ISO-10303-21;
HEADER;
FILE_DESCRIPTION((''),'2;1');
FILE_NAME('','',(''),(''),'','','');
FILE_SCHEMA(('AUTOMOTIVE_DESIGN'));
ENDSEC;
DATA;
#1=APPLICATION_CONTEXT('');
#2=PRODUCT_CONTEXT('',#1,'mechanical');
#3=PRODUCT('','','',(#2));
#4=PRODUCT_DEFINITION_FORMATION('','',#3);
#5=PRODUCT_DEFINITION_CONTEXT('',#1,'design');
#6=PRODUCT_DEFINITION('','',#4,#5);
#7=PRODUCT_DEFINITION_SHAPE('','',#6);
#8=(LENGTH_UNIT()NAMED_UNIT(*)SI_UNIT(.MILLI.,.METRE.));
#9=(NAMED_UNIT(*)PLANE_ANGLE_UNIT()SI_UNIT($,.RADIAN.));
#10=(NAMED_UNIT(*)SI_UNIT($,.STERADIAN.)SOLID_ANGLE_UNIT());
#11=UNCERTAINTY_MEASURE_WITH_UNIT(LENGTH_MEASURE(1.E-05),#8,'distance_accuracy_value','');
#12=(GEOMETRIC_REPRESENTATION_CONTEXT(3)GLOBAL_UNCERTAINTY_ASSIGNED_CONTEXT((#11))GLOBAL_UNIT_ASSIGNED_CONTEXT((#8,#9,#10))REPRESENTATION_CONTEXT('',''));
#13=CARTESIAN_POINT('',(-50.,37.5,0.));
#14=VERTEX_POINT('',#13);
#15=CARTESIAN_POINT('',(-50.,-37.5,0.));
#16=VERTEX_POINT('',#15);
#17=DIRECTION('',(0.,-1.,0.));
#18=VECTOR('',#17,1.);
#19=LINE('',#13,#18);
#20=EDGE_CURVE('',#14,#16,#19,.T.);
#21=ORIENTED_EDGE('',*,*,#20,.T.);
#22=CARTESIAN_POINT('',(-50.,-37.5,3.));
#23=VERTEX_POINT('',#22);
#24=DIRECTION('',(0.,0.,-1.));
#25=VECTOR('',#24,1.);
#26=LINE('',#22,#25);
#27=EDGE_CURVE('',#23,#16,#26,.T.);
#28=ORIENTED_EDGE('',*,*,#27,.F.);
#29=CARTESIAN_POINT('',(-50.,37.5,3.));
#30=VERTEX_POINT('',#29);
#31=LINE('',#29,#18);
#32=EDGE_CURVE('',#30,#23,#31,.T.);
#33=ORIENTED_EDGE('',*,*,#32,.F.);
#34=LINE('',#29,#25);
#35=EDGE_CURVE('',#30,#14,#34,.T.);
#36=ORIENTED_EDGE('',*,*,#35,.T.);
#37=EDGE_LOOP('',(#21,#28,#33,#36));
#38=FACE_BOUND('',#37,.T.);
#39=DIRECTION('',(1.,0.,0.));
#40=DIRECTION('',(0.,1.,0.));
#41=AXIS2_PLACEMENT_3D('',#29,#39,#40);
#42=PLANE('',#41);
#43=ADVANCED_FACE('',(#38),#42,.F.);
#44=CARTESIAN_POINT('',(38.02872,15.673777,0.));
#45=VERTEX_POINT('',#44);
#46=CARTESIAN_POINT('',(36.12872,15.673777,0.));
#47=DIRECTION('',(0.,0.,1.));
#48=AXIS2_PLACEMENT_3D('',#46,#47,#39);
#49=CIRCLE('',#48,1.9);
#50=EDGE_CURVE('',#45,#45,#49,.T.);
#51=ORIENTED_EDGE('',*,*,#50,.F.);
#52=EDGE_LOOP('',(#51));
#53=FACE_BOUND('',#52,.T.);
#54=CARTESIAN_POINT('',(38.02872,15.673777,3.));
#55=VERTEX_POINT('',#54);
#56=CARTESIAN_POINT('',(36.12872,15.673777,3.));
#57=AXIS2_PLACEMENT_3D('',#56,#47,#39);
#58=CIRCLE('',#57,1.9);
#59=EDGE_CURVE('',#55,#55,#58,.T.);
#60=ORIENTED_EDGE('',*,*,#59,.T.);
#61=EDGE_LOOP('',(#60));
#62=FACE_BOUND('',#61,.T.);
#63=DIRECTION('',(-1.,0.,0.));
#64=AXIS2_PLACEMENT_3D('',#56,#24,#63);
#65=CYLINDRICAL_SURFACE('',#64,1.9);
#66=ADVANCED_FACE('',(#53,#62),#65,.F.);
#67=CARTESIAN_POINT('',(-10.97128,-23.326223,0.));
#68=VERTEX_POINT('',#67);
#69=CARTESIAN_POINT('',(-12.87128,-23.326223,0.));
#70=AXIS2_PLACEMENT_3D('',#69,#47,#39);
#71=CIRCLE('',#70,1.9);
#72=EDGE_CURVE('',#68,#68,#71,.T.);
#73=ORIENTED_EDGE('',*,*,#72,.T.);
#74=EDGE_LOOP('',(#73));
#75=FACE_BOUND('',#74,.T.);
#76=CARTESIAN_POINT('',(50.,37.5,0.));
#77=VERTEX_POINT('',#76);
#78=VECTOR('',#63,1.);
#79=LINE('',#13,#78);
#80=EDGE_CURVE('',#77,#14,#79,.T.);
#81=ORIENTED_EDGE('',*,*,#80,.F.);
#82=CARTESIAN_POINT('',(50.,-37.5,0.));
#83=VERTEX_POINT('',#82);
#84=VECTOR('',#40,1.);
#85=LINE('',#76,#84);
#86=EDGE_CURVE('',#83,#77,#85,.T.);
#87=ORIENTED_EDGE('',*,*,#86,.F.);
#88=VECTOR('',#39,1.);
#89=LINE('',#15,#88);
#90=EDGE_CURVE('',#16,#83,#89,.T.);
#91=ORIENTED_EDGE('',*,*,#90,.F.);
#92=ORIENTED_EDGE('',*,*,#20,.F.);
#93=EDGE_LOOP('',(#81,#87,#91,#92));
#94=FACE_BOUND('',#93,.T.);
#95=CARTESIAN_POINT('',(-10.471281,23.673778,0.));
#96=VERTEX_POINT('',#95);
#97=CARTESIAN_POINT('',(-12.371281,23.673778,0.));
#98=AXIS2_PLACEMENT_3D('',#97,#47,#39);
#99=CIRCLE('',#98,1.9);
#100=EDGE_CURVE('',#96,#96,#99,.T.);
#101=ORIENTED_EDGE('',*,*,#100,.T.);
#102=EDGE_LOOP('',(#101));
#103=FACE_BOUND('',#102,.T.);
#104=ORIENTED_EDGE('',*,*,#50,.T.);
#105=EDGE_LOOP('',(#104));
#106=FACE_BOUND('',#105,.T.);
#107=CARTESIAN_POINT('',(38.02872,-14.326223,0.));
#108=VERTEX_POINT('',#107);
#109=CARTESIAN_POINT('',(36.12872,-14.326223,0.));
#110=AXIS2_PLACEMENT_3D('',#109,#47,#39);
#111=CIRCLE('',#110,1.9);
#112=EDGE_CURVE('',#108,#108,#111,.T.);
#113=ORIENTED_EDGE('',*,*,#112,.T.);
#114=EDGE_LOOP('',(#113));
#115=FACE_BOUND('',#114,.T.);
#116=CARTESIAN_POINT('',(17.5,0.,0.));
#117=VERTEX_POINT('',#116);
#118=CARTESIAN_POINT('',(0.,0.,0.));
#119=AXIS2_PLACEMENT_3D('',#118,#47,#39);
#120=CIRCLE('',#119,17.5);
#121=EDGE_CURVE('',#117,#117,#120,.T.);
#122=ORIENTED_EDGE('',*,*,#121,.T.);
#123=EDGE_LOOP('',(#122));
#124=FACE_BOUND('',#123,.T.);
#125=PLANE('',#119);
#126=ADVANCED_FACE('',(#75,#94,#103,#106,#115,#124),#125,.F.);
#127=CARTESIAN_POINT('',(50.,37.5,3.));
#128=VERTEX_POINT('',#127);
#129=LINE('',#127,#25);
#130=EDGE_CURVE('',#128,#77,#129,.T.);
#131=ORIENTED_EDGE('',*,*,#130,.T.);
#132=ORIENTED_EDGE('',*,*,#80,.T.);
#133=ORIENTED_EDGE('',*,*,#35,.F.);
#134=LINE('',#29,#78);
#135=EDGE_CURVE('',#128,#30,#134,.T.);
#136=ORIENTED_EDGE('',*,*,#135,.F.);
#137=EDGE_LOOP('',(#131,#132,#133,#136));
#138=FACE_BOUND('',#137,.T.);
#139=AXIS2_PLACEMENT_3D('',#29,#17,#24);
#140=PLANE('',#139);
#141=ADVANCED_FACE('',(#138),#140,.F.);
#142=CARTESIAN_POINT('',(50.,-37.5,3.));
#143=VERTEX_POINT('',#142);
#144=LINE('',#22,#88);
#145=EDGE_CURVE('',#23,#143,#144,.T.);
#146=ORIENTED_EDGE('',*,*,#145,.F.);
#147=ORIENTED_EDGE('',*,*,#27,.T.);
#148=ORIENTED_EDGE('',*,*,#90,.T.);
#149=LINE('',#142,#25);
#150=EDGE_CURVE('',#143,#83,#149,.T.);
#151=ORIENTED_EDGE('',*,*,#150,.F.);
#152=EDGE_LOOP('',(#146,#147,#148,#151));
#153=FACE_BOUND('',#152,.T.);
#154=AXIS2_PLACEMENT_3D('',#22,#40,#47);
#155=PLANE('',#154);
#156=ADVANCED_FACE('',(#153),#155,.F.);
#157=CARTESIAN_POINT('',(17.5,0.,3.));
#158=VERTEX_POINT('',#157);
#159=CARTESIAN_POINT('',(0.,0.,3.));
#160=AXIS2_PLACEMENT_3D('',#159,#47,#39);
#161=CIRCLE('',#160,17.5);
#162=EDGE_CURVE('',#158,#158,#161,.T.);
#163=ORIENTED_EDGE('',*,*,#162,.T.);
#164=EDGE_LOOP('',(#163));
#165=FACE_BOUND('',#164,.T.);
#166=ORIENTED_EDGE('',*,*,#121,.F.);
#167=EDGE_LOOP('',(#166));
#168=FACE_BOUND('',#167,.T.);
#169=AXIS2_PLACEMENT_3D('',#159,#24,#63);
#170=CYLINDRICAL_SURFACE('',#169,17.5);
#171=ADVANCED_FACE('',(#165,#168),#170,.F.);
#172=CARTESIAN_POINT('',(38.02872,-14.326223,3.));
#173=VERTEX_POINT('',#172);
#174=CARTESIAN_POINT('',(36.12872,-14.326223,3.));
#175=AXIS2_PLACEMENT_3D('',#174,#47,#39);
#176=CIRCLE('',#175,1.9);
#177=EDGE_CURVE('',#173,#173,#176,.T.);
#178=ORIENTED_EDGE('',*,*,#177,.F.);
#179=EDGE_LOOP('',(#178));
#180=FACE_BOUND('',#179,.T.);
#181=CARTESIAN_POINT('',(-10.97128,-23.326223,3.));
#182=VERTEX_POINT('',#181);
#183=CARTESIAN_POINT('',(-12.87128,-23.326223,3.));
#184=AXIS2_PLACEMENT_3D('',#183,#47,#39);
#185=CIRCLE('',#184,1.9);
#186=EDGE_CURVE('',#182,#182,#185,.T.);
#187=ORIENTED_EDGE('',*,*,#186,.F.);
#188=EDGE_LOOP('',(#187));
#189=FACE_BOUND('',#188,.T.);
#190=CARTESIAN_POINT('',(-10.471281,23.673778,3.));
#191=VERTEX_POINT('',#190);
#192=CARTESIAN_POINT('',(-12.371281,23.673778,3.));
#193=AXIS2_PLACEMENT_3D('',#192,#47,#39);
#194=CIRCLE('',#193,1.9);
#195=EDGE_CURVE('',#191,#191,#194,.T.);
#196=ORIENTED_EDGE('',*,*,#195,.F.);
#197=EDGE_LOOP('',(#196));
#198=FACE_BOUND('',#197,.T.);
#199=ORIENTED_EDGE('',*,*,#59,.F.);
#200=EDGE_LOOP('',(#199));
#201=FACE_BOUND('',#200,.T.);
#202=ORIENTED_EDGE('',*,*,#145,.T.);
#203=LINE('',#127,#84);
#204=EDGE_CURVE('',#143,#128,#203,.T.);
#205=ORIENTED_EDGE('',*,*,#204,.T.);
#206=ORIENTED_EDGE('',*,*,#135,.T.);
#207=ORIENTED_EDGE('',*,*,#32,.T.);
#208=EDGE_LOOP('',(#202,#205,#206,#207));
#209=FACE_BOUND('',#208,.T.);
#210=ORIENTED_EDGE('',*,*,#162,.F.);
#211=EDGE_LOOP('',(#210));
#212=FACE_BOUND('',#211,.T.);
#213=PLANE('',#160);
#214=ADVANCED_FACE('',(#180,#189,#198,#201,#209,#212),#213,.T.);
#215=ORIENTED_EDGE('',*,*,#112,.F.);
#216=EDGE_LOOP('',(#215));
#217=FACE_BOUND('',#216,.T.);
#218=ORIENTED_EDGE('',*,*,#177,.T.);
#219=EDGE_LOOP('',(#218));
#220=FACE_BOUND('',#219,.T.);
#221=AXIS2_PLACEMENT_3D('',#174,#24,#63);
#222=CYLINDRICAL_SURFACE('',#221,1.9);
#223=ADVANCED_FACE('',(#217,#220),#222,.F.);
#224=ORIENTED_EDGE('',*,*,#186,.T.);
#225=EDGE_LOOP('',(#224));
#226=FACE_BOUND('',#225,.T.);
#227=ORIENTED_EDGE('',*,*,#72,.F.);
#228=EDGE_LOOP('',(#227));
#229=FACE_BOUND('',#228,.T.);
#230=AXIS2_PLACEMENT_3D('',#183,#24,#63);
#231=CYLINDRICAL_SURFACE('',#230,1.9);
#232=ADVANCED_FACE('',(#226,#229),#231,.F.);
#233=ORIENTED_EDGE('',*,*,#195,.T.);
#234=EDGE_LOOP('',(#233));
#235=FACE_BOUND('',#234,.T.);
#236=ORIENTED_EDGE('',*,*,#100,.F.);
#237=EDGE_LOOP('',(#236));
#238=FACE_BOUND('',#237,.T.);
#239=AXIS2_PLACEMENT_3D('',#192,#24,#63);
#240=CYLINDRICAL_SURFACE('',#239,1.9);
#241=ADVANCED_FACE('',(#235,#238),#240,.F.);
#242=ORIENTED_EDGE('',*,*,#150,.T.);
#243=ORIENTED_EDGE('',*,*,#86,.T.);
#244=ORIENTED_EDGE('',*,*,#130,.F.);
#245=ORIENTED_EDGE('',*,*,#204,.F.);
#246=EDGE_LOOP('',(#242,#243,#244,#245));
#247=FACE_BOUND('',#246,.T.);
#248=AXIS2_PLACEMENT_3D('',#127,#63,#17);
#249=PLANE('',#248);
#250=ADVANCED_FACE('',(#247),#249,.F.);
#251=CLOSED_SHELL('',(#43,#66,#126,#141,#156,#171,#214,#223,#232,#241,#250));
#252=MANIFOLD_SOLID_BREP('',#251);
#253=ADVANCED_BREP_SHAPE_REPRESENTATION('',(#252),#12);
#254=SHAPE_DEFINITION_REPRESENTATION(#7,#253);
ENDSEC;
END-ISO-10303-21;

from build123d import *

# Parameters (mm, degrees)
CROQUIS1_W              = 100
CROQUIS1_H              = 75
CROQUIS1_R              = 17.5
CROQUIS1_R_2            = 1.9
SALIENTE_EXTRUIR1_DEPTH = 3


with BuildPart() as part:
    # Croquis1 → Saliente-Extruir1 (new body)
    with BuildSketch(Plane.XY):
        Rectangle(CROQUIS1_W, CROQUIS1_H)
        Circle(CROQUIS1_R, mode=Mode.SUBTRACT)
        with Locations((-12.871280309, -23.326223098)):
            Circle(CROQUIS1_R_2, mode=Mode.SUBTRACT)
        with Locations((36.128719631, -14.326222516)):
            Circle(CROQUIS1_R_2, mode=Mode.SUBTRACT)
        with Locations((36.128719631, 15.673777484)):
            Circle(CROQUIS1_R_2, mode=Mode.SUBTRACT)
        with Locations((-12.37128089, 23.673777603)):
            Circle(CROQUIS1_R_2, mode=Mode.SUBTRACT)
    extrude(amount=SALIENTE_EXTRUIR1_DEPTH)


solid = part.part
